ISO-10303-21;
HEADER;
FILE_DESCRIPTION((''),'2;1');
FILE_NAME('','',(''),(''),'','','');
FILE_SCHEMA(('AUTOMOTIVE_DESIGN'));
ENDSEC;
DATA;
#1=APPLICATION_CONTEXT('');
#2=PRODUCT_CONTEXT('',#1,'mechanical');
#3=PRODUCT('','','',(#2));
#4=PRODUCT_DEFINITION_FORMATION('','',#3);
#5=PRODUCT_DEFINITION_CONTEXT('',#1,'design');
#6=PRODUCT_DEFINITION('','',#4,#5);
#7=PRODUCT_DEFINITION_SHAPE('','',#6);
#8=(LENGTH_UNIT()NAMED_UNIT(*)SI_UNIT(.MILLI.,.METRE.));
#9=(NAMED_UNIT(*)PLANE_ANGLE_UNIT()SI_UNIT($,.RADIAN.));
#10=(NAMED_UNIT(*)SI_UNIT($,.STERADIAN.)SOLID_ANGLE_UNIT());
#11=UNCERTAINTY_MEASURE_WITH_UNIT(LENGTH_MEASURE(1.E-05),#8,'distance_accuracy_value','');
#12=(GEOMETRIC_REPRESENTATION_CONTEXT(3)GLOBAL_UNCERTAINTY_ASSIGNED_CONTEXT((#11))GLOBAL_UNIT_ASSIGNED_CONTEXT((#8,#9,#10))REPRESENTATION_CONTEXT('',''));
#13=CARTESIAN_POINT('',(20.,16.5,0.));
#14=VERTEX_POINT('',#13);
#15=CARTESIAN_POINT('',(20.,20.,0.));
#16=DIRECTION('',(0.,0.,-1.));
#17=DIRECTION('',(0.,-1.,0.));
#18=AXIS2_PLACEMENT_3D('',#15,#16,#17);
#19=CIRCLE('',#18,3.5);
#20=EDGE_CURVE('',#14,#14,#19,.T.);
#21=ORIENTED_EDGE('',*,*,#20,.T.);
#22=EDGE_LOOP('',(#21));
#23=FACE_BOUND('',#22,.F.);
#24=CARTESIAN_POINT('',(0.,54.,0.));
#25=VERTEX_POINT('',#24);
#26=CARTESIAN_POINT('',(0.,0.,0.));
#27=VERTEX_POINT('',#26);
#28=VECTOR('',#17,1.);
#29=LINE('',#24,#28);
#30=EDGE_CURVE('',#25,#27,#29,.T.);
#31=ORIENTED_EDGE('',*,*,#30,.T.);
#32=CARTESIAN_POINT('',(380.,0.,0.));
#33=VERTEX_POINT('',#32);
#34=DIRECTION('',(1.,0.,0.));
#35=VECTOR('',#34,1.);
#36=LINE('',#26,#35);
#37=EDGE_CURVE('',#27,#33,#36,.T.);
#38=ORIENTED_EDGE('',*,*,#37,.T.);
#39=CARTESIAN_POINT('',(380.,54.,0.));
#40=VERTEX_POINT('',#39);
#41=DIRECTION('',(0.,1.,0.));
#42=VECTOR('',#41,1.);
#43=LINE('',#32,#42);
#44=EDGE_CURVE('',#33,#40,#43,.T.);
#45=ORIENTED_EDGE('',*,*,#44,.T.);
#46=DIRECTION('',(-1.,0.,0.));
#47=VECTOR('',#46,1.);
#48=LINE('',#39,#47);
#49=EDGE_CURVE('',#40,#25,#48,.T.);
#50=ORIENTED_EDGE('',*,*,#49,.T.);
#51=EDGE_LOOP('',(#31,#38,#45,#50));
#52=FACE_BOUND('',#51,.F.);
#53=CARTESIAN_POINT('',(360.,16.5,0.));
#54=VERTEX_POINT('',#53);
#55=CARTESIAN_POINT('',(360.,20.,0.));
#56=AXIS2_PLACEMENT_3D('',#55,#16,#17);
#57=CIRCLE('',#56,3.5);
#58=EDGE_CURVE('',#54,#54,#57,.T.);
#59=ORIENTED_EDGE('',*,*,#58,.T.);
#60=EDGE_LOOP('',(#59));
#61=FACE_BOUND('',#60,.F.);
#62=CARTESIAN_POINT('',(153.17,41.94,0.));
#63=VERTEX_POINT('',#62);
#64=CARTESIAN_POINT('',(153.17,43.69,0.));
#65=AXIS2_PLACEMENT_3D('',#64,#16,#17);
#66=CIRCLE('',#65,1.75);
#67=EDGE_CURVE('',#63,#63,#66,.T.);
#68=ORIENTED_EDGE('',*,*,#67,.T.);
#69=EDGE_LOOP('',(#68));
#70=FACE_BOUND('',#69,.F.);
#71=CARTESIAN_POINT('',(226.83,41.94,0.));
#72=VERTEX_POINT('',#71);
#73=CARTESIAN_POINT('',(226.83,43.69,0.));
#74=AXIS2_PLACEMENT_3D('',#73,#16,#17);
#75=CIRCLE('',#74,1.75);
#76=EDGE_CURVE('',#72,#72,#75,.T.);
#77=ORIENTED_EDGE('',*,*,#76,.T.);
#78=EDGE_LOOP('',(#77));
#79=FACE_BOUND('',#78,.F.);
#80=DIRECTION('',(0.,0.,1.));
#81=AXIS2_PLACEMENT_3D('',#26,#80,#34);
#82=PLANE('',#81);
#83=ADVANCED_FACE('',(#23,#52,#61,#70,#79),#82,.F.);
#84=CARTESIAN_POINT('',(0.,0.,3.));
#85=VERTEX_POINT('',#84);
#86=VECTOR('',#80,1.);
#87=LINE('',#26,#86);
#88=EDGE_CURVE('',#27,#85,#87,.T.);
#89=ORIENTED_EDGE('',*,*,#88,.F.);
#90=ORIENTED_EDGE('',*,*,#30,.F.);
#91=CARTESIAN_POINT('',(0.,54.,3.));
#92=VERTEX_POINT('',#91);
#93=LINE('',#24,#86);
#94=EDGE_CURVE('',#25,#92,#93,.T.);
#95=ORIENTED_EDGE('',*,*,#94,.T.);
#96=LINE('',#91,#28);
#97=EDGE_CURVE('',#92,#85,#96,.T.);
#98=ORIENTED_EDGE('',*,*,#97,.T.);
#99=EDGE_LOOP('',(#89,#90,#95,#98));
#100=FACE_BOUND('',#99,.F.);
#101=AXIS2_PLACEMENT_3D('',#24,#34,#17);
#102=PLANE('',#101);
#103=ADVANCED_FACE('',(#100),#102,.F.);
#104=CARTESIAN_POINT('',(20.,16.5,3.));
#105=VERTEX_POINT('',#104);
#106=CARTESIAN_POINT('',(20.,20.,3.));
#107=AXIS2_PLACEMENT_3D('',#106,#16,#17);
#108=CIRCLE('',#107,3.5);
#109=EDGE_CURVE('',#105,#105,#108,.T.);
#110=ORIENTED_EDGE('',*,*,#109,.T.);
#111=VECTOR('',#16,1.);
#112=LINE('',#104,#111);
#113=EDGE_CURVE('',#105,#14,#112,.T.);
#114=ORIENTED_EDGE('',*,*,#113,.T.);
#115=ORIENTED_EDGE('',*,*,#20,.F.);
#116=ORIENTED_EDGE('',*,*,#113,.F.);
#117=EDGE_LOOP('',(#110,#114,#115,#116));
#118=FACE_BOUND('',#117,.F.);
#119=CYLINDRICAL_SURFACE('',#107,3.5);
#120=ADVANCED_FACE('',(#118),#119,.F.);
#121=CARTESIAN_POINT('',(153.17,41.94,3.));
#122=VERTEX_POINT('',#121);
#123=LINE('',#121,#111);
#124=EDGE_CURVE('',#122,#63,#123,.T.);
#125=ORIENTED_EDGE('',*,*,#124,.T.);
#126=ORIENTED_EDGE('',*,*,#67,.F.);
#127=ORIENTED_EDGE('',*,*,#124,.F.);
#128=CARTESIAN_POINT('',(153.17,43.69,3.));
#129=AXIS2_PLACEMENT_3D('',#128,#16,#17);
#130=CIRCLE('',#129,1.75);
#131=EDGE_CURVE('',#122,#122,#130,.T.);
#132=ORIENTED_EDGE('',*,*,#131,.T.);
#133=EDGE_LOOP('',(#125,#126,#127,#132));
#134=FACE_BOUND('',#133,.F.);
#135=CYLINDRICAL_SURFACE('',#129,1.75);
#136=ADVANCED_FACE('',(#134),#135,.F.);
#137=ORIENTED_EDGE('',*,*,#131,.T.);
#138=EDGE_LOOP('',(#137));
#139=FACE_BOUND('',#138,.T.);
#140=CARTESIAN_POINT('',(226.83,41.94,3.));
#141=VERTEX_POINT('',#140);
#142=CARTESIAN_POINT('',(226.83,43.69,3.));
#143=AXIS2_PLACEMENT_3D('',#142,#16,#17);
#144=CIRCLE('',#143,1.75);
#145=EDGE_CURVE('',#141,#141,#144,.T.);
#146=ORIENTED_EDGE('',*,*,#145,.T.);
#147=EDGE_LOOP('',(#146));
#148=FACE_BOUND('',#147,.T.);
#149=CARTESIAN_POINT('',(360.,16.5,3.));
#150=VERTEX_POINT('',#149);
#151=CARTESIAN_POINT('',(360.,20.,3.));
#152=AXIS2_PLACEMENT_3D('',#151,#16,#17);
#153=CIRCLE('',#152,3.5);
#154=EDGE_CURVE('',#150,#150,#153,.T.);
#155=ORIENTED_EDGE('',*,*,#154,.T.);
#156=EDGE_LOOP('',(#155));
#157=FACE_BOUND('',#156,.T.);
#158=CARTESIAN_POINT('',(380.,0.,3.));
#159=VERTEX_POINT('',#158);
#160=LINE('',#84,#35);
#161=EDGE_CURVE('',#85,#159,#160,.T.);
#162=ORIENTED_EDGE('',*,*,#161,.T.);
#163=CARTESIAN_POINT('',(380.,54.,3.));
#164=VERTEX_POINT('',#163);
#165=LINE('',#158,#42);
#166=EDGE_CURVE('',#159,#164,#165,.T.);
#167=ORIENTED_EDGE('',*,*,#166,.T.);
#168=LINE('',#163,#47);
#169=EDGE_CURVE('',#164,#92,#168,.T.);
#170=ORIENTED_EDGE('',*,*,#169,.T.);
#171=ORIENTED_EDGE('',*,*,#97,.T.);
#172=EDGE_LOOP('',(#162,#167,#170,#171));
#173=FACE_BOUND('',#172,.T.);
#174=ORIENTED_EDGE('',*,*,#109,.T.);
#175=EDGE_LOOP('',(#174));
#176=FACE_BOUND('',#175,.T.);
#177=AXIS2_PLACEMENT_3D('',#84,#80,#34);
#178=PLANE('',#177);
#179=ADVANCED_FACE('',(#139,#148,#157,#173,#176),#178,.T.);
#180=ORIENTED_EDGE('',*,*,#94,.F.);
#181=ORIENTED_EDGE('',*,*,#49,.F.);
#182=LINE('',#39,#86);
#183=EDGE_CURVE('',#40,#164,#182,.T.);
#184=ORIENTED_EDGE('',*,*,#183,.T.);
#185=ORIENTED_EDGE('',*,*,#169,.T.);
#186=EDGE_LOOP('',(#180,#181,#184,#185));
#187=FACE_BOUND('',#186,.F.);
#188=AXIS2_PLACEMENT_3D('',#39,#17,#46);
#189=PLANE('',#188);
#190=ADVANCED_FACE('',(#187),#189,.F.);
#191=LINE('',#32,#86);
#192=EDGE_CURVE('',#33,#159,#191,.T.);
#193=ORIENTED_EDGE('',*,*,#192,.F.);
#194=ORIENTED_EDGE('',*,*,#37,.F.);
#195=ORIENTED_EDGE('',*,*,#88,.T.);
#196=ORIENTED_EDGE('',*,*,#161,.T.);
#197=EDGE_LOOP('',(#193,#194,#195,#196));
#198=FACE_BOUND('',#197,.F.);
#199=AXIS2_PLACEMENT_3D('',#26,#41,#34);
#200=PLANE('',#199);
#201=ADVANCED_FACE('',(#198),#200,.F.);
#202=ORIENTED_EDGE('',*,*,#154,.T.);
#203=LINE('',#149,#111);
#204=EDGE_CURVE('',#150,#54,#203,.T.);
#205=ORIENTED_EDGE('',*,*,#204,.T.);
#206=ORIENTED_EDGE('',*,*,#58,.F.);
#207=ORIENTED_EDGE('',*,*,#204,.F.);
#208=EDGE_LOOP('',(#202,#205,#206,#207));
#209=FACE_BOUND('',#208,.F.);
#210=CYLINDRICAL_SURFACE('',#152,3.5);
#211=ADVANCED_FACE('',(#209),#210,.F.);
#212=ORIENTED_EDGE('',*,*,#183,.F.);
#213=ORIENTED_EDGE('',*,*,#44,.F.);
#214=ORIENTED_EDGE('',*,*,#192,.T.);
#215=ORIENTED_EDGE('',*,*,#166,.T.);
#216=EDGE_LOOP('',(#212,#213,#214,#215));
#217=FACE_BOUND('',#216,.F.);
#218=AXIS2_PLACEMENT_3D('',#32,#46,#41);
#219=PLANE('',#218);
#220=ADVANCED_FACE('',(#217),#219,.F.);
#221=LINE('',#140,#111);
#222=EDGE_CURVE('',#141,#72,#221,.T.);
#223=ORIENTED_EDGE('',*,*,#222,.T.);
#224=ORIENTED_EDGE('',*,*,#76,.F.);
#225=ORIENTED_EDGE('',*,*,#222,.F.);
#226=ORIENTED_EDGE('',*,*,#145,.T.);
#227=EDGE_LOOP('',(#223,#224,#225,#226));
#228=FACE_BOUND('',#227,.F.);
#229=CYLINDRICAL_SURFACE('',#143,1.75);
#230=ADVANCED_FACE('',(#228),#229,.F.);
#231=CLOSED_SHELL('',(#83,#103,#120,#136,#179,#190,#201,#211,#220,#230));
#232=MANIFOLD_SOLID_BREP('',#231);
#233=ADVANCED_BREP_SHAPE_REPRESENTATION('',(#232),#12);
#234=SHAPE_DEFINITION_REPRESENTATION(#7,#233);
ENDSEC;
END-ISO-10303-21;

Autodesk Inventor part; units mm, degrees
ref_plane "YZ Plane" through (0, 0, 0) normal (1, 0, 0) x (0, 1, 0)
ref_plane "XZ Plane" through (0, 0, 0) normal (0, 1, 0) x (-1, 0, 0)
ref_plane "XY Plane" through (0, 0, 0) normal (0, 0, 1) x (1, 0, 0)
sketch "Sketch1" plane through (0, 0, 0) normal (0, 0, 1) x (1, 0, 0)
  line L0 (0, 0) -> (380, 0)
  line L1 (380, 0) -> (380, 54)
  line L2 (380, 54) -> (0, 54)
  line L3 (0, 54) -> (0, 0)
  dimension "d0" = 380
  dimension "d1" = 54
extrude "Extrusion1" add sketch "Sketch1" along normal blind 3
sketch "Sketch2" plane through (0, 0, 3) normal (0, 0, 1) x (1, 0, 0)
  line L0 (0, 54) -> (0, 0) projected
  line L1 (380, 54) -> (0, 54) projected
  line L2 (0, 0) -> (380, 0) projected
  line L3 (380, 0) -> (380, 54) projected
  point P0 (20, 20)
  point P1 (360, 20)
  dimension "d4" = 20
  dimension "d6" = 20
  dimension "d7" = 20
  dimension "d8" = 20
hole "Hole1" at (20, 20, 3) at (360, 20, 3) direction (0, 0, -1) diameter 7 end through all
sketch "Sketch3" plane through (0, 0, 3) normal (0, 0, 1) x (1, 0, 0)
  line L0 (0, 54) -> (0, 0) projected
  line L1 (380, 54) -> (0, 54) projected
  point P0 (153.17, 43.69)
  point P1 (226.83, 43.69)
  dimension "d16" = 73.66
  dimension "d17" = 153.17
  dimension "d18" = 10.31
  dimension "d19" = 10.31
hole "Hole2" at (153.17, 43.69, 3) at (226.83, 43.69, 3) direction (0, 0, -1) diameter 3.5 end through all
properties part number "SupportsheetMonitor" material "Aluminum 6061"
